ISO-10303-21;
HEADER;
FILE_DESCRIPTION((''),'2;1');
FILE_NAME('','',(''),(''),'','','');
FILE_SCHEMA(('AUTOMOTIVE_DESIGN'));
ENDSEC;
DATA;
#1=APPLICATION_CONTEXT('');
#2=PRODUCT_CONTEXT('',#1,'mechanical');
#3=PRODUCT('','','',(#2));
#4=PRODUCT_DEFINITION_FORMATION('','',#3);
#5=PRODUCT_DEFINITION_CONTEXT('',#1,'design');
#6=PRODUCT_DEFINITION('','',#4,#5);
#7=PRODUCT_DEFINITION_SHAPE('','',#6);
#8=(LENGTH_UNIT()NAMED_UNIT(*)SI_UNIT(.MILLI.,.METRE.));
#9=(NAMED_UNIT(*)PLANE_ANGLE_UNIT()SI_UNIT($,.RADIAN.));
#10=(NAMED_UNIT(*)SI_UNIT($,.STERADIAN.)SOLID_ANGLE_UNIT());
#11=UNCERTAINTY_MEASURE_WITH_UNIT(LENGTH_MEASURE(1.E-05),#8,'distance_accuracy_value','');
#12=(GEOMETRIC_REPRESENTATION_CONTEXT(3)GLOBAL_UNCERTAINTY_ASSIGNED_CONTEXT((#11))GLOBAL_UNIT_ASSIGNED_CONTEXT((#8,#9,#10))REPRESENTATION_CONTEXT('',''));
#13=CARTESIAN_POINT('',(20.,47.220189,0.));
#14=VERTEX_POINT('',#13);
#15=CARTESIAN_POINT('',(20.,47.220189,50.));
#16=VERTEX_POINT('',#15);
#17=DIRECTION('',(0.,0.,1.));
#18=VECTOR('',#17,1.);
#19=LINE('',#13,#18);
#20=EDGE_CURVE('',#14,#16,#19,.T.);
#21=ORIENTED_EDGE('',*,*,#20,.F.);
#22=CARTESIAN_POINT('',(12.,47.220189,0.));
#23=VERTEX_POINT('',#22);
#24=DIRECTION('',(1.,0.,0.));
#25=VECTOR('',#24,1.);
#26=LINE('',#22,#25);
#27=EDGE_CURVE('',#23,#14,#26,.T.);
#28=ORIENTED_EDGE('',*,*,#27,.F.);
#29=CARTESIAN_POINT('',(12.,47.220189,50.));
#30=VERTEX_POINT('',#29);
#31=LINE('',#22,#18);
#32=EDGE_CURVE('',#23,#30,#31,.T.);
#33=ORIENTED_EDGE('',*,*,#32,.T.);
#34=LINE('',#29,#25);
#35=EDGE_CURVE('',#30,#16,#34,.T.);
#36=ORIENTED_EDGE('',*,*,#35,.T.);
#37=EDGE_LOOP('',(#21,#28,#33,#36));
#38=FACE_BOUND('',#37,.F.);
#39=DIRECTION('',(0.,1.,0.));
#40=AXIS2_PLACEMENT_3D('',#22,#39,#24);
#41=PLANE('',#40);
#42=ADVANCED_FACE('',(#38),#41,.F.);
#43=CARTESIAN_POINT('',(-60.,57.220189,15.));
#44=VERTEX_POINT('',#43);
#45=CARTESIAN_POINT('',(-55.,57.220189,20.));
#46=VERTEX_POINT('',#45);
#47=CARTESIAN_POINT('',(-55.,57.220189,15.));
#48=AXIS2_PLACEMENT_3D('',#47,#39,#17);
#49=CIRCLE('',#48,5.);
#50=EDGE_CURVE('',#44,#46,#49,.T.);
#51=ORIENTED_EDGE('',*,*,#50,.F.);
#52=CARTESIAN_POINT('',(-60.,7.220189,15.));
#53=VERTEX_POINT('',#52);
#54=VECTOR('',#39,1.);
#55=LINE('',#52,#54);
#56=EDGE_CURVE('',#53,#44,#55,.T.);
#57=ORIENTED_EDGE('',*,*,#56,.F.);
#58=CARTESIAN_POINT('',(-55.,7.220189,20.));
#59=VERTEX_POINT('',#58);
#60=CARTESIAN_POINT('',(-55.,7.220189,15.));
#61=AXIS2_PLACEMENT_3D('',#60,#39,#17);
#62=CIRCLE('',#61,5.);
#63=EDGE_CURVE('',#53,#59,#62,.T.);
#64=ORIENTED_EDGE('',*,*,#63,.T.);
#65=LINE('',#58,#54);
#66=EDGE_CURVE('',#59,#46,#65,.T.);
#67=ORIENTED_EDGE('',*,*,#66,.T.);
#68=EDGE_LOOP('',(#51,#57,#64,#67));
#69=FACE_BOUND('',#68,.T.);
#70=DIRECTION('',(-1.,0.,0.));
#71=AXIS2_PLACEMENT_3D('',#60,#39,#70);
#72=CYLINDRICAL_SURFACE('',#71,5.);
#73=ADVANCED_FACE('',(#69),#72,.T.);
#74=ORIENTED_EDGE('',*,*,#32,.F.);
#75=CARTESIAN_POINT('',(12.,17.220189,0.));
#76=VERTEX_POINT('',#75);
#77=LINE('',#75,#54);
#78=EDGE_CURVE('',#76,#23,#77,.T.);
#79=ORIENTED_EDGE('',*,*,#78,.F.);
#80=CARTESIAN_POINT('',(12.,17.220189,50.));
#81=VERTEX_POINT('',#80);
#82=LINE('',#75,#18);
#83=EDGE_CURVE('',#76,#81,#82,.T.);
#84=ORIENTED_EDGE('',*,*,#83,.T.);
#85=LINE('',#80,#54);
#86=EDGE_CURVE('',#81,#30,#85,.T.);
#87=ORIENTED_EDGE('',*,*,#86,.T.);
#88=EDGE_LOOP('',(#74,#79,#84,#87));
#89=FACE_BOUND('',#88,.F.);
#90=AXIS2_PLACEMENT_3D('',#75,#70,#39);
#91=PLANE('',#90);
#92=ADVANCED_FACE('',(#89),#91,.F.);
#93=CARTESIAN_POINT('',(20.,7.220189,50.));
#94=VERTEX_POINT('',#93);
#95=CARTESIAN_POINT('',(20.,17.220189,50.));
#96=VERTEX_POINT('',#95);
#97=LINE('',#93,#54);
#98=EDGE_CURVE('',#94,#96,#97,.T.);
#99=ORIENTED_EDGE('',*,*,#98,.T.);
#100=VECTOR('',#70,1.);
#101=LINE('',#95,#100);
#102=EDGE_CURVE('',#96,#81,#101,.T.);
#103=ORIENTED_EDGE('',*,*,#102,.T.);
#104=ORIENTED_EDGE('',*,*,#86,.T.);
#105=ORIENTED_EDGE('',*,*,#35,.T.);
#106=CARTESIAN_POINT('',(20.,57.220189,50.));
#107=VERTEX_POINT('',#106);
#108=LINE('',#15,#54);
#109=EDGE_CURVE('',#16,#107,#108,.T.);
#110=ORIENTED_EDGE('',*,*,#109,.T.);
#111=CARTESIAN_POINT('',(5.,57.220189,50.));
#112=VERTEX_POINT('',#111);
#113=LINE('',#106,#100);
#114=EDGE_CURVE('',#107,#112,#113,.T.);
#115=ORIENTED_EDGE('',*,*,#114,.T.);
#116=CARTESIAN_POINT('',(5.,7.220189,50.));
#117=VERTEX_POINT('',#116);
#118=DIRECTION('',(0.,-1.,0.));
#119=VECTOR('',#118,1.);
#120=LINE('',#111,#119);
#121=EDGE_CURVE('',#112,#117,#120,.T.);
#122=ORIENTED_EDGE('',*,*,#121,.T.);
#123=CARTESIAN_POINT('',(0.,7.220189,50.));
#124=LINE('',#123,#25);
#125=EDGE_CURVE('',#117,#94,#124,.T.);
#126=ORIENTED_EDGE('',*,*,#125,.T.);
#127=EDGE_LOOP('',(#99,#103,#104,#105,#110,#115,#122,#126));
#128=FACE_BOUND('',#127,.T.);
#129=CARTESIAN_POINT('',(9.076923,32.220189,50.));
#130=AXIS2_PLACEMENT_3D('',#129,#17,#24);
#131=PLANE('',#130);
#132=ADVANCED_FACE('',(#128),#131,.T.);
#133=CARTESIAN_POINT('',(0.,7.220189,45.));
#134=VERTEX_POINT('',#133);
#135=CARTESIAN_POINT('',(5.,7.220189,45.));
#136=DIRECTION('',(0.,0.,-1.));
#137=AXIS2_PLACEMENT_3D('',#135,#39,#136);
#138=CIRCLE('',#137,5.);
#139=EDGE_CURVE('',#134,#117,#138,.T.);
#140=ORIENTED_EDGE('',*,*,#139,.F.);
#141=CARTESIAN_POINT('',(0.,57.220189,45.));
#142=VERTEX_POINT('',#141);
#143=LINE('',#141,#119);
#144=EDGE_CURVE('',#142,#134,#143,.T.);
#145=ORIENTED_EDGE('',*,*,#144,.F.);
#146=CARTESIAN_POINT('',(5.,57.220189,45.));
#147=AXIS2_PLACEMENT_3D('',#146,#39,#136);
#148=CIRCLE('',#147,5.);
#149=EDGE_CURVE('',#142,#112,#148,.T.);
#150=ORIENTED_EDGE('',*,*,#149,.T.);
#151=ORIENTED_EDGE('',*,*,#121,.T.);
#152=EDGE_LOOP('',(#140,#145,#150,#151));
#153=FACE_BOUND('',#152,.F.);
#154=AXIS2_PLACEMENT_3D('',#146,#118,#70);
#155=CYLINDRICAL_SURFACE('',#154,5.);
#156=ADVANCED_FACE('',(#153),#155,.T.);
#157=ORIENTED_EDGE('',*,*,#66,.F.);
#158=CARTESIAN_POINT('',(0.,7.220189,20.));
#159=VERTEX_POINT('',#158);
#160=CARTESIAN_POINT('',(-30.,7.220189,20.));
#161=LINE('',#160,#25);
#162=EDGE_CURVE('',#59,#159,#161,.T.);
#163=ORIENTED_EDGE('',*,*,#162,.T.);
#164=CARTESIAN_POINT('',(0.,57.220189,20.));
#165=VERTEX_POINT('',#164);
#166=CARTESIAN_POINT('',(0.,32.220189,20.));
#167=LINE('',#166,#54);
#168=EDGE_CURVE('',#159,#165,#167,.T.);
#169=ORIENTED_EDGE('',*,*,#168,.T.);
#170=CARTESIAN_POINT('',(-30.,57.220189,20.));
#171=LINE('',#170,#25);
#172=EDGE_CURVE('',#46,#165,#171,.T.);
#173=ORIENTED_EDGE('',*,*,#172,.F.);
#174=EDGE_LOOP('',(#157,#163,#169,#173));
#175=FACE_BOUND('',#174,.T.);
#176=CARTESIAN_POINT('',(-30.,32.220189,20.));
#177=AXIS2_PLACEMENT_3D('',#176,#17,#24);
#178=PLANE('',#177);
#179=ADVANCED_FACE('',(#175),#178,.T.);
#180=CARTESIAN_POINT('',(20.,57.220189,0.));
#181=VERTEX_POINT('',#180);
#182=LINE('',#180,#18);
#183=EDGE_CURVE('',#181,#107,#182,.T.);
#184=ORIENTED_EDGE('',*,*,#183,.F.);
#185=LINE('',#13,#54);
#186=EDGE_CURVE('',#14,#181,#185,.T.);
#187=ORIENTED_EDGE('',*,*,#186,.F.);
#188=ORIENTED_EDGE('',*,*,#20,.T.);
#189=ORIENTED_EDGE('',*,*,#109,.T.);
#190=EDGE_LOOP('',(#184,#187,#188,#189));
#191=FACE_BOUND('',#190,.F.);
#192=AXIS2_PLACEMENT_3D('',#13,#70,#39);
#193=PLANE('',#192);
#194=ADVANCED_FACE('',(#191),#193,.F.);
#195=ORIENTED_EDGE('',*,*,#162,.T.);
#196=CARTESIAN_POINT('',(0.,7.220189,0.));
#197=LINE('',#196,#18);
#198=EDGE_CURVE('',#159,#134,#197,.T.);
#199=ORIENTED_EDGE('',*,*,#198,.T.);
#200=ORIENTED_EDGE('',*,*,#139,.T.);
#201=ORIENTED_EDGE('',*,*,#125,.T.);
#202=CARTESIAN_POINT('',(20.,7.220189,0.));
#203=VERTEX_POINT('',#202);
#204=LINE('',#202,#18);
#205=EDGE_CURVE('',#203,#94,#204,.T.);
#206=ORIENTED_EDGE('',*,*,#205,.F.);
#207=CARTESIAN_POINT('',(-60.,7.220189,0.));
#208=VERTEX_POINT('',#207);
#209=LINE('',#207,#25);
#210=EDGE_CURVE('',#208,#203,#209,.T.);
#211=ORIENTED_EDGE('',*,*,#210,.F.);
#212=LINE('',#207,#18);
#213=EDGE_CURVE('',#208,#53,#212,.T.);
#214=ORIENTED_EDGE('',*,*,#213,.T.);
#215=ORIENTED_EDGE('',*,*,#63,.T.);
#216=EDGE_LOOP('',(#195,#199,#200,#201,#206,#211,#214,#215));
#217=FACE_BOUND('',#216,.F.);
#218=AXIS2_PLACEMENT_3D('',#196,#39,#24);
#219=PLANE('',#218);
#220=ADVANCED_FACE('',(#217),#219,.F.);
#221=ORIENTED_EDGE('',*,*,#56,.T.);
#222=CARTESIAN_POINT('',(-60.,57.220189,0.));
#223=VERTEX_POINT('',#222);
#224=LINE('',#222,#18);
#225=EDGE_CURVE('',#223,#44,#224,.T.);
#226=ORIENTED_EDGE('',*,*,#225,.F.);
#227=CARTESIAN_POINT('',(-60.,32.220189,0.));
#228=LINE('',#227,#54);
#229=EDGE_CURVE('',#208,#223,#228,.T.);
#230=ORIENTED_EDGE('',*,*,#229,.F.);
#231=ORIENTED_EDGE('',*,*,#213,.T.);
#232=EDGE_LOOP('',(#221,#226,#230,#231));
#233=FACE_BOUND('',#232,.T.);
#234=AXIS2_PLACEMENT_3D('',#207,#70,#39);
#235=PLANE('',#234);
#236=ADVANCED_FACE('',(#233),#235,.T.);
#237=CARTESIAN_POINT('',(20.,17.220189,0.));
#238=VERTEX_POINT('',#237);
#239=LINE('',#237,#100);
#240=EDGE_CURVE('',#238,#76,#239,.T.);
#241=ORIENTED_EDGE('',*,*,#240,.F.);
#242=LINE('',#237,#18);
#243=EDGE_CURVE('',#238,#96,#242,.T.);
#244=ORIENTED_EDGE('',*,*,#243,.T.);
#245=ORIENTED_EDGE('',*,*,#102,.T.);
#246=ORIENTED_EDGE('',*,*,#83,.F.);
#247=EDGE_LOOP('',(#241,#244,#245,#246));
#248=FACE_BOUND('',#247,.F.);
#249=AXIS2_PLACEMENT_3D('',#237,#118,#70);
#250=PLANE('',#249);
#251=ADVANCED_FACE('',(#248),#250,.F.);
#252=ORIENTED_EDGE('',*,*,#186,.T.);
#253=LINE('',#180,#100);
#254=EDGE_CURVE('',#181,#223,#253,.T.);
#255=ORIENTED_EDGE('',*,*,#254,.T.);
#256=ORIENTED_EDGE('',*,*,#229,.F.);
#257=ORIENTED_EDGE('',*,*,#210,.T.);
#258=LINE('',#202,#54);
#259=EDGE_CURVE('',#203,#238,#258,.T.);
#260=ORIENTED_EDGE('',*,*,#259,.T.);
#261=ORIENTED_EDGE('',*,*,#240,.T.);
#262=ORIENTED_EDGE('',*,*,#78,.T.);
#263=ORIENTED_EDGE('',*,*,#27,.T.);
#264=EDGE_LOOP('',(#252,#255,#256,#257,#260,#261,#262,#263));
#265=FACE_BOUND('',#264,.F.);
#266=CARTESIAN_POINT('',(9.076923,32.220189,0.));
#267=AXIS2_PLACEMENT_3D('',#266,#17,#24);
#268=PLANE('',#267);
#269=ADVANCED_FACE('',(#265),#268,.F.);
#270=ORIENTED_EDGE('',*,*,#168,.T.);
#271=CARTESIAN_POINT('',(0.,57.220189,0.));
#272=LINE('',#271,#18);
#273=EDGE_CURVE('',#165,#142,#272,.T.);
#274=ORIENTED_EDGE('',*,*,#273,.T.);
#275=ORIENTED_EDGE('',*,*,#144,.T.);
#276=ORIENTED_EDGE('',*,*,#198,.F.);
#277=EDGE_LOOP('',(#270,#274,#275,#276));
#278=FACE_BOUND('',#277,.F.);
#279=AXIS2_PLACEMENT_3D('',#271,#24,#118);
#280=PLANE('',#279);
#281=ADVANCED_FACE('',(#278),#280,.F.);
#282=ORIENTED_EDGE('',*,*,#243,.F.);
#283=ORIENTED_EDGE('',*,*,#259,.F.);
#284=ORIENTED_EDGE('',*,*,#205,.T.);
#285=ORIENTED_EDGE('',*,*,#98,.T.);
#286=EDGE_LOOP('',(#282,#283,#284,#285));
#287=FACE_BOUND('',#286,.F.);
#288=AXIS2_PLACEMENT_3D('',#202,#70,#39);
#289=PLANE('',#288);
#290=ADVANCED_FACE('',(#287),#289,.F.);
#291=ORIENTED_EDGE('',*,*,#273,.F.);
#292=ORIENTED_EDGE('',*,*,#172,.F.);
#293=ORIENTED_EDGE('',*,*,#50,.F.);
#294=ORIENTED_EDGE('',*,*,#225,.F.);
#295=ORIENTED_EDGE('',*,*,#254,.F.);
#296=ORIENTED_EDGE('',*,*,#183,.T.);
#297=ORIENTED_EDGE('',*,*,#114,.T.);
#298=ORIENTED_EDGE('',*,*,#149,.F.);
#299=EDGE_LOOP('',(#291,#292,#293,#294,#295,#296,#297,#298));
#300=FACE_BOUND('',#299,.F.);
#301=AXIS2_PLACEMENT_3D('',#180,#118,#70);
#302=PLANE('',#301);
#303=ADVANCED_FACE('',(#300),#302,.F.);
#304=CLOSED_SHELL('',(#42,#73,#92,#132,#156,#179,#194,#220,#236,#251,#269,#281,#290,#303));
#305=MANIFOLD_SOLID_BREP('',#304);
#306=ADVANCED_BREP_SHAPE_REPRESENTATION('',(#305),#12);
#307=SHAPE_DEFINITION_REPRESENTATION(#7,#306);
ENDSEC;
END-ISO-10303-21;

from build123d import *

# Parameters (mm, degrees)
F0_W     = 60
F0_H     = 50
F1_DEPTH = 20
F2_DEPTH = 50
F3_R     = 5


with BuildPart() as f1:
    # F0 (on Top) → F1 (new body)
    with BuildSketch(Plane.XY):
        with Locations((-30, 32.220189)):
            Rectangle(F0_W, F0_H)
    extrude(amount=F1_DEPTH)

    # F0 (on Top) → F2 (join)
    with BuildSketch(Plane.XY):
        Polygon((0, 57.220189), (0, 7.220189), (20, 7.220189), (20, 17.220189), (12, 17.220189), (12, 47.220189), (20, 47.220189), (20, 57.220189), align=None)
    extrude(amount=F2_DEPTH)

    # F3
    f3_edges = [f1.edges().sort_by_distance(p)[0] for p in [
        (0, 32.220189, 50),
        (-60, 32.220189, 20),
    ]]
    fillet(f3_edges, radius=F3_R)


solid = f1.part
